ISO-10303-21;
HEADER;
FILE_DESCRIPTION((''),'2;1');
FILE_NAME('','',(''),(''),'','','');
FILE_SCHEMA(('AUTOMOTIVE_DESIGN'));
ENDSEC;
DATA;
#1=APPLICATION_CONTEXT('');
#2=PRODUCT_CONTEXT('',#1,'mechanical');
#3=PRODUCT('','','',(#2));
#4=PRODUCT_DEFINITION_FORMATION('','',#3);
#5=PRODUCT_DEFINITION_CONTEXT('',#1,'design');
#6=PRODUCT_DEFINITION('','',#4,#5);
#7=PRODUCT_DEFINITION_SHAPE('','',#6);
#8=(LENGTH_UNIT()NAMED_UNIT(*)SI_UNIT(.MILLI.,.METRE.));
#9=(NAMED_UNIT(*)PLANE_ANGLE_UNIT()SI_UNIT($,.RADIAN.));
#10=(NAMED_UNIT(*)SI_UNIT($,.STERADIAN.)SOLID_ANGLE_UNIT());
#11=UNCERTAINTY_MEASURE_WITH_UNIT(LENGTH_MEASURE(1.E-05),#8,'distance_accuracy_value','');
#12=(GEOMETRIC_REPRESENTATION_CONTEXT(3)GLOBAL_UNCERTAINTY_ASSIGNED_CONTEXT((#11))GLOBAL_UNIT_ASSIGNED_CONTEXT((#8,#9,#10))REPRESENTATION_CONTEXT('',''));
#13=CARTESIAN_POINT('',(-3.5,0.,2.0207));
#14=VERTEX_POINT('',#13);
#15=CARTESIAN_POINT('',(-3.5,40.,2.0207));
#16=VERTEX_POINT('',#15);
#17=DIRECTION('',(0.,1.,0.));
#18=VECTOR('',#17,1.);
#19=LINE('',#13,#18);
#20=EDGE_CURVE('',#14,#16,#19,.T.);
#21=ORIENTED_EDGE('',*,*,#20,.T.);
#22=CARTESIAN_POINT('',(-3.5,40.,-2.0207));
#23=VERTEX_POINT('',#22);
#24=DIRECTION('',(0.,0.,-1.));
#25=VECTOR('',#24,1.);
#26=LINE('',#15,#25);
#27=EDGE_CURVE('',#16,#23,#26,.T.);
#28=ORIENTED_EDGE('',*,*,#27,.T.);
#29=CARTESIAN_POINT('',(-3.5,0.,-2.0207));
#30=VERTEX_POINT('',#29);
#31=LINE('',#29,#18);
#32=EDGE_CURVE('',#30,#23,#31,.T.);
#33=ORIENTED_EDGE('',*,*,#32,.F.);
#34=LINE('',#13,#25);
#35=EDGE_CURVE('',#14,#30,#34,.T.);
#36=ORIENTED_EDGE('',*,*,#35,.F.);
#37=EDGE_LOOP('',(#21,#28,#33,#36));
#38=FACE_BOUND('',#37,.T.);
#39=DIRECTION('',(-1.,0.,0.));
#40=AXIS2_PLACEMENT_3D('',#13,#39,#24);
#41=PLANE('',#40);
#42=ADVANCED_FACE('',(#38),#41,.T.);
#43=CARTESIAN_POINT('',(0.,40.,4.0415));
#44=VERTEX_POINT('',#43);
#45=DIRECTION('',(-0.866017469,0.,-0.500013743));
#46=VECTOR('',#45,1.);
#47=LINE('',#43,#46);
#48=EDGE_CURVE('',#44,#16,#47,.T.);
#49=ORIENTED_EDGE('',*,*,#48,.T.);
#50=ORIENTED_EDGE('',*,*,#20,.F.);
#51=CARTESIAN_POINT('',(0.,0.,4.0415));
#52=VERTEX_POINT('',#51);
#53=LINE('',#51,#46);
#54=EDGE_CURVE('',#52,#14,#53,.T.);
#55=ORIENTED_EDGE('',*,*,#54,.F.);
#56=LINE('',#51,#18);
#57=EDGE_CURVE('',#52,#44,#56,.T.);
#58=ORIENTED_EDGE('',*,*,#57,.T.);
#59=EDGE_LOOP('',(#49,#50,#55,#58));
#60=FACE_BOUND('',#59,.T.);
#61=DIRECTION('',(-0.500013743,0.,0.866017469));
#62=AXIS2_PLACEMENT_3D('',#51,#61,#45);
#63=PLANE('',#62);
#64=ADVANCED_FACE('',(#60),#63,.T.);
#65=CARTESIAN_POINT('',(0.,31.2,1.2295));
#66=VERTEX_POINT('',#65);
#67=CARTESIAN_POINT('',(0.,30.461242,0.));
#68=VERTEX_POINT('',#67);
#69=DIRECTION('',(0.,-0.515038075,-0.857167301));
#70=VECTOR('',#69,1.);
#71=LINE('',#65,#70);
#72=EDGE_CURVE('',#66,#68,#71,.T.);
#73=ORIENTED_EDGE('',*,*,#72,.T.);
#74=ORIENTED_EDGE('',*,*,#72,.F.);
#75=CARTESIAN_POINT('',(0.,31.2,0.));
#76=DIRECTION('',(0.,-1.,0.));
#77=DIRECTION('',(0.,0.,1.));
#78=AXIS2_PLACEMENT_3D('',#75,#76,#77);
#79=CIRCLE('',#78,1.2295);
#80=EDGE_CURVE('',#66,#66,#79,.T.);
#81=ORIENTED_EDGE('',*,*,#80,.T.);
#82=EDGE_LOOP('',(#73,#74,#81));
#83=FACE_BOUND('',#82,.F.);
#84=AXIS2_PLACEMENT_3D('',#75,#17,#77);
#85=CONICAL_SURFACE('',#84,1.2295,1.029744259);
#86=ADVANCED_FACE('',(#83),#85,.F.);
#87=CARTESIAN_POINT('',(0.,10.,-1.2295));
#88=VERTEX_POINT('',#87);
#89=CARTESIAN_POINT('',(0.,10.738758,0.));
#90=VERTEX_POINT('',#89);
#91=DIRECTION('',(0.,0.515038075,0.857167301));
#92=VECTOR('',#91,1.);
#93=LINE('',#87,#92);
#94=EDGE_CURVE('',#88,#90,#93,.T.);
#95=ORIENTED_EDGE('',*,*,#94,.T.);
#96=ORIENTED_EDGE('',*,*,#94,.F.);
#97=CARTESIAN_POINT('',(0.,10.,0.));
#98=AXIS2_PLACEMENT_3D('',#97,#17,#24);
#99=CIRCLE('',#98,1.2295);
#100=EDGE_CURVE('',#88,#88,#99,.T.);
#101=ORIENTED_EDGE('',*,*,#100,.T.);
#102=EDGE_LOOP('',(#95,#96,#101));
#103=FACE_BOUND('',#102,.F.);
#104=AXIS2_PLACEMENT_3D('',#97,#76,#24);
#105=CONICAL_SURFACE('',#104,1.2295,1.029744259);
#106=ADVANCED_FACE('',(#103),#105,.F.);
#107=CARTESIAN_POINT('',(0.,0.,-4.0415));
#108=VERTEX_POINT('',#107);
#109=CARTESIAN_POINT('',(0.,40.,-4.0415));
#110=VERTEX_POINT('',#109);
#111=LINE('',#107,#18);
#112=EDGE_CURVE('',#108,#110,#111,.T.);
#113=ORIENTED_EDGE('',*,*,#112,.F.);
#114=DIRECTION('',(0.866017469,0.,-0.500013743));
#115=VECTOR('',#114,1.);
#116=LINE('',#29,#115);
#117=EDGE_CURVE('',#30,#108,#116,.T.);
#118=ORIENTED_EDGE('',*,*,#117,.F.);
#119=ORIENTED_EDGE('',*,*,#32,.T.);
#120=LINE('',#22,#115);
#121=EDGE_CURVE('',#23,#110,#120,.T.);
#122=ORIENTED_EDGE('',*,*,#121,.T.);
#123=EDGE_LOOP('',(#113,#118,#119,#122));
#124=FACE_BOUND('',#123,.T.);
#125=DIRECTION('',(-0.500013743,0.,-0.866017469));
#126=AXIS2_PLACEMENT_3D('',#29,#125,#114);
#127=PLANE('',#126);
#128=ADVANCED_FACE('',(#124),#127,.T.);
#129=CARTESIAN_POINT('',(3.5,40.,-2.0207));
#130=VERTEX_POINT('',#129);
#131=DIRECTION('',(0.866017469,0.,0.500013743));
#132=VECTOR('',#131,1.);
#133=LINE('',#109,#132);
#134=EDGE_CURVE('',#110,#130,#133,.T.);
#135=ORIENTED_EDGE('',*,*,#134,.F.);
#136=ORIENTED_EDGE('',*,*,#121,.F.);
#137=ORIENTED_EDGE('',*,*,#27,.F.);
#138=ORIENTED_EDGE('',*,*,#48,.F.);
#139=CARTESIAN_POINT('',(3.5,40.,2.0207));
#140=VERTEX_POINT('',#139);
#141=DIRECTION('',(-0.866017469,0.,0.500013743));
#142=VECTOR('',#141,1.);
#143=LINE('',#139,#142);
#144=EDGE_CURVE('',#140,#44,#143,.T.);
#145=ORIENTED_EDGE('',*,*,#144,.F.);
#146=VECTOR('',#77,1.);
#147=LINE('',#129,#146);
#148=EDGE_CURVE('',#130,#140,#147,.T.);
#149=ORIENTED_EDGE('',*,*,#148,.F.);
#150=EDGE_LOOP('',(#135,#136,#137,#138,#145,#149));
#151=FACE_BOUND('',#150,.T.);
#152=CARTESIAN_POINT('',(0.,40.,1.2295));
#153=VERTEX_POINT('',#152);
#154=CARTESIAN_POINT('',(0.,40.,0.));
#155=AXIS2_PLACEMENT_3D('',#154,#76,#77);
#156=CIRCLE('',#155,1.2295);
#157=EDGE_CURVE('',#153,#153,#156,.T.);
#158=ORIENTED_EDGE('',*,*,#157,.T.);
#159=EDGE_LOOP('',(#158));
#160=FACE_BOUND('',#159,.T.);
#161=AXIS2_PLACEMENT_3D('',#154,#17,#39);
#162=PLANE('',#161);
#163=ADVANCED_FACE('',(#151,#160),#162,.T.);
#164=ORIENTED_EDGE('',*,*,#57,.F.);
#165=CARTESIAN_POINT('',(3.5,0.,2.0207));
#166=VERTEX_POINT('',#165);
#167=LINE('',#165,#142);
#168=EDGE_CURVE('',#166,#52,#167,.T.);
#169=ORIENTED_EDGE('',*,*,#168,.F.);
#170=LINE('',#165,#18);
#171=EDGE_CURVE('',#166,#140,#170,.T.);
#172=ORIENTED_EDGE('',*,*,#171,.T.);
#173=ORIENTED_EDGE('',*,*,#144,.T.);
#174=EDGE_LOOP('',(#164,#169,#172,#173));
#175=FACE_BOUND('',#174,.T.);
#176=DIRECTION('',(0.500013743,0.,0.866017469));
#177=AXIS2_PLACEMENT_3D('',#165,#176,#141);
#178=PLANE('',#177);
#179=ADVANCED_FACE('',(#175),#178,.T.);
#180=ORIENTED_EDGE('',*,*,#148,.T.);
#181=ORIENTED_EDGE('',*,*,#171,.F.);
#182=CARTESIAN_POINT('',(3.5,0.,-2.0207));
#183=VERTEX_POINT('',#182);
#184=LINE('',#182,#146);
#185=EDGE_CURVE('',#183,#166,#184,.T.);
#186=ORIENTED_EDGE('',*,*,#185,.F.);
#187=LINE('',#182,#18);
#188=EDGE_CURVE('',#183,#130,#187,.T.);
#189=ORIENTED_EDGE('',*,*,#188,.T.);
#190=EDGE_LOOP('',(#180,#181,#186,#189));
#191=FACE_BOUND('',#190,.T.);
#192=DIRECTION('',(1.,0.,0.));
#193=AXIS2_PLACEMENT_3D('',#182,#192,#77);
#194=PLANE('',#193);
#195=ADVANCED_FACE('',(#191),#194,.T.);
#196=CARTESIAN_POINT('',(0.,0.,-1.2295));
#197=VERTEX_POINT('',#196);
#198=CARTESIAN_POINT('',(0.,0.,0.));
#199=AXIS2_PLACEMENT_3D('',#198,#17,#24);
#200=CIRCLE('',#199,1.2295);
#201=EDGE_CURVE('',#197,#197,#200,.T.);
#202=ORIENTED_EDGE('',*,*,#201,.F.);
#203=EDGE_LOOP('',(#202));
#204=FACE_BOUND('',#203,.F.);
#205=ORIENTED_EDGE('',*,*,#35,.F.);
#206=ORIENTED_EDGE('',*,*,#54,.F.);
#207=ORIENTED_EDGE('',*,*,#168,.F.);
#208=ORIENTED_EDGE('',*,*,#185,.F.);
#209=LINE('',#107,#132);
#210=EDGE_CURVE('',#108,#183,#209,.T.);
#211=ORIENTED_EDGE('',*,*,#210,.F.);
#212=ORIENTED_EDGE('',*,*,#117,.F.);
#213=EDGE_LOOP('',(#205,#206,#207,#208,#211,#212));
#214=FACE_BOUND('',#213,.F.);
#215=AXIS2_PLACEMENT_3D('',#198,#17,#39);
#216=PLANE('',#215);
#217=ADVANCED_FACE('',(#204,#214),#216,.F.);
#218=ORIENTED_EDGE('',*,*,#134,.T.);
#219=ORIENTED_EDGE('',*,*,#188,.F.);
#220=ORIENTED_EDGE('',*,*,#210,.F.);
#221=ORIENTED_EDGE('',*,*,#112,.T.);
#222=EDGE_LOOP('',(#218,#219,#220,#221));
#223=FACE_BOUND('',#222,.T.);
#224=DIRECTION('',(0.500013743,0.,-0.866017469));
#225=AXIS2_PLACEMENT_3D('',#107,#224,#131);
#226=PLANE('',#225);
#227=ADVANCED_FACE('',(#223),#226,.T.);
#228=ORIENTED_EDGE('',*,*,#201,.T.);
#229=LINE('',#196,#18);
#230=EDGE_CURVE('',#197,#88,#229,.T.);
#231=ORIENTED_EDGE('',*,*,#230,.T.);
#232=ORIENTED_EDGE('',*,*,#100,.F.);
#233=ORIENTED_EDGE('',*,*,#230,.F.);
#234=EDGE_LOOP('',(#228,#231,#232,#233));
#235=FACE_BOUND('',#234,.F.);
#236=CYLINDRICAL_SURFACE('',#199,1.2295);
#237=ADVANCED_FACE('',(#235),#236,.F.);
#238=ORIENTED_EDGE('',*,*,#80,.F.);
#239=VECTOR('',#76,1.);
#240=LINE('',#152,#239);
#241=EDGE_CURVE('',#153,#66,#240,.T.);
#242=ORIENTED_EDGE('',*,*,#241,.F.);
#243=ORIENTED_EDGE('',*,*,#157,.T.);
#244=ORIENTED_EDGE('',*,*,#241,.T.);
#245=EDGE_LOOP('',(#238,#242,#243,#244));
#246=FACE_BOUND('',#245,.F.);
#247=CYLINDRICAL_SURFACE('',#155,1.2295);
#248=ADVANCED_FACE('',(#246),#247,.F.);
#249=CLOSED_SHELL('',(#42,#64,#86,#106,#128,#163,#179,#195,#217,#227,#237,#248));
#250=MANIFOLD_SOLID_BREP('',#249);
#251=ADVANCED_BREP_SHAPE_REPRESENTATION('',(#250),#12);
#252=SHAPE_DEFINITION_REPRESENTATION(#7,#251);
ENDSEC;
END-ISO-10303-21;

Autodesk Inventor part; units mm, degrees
ref_plane "YZ Plane" through (0, 0, 0) normal (1, 0, 0) x (0, 1, 0)
ref_plane "XZ Plane" through (0, 0, 0) normal (0, 1, 0) x (-1, 0, 0)
ref_plane "XY Plane" through (0, 0, 0) normal (0, 0, 1) x (1, 0, 0)
sketch "Szkic1" plane through (0, 0, 0) normal (0, 1, 0) x (-1, 0, 0)
  line L0 (-3.5, -2.0207) -> (-3.5, 2.0207)
  line L1 (-3.5, 2.0207) -> (0, 4.0415)
  line L2 (0, 4.0415) -> (3.5, 2.0207)
  line L3 (3.5, 2.0207) -> (3.5, -2.0207)
  line L4 (3.5, -2.0207) -> (0, -4.0415)
  line L5 (0, -4.0415) -> (-3.5, -2.0207)
  point P0 (0, 0)
  point P1 (0, 0)
  dimension "d0" = 7
extrude "Wyciągnięcie proste1" add sketch "Szkic1" along normal blind 40
sketch "Szkic2" plane through (0, 40, 0) normal (0, 1, 0) x (1, 0, 0)
  point P0 (0, 0)
  point P1 (0, 0)
hole "Otwór1" at (0, 40, 0) direction (0, -1, 0) diameter 2.459 depth 8.8 tip angle 118 thread size "M3x0.5" class "6H" standard "ISO Metric profile"
sketch "Szkic3" plane through (0, 0, 0) normal (0, -1, 0) x (1, 0, 0)
  circle A0 centre (0, 0) radius 1.2295 construction
hole "Otwór2" at (0, 0, 0) direction (0, 1, 0) diameter 2.459 depth 10 tip angle 118 thread size "M3x0.5" class "6H" standard "ISO Metric profile"
properties part number "CH_01_0021_distans_40mm"
